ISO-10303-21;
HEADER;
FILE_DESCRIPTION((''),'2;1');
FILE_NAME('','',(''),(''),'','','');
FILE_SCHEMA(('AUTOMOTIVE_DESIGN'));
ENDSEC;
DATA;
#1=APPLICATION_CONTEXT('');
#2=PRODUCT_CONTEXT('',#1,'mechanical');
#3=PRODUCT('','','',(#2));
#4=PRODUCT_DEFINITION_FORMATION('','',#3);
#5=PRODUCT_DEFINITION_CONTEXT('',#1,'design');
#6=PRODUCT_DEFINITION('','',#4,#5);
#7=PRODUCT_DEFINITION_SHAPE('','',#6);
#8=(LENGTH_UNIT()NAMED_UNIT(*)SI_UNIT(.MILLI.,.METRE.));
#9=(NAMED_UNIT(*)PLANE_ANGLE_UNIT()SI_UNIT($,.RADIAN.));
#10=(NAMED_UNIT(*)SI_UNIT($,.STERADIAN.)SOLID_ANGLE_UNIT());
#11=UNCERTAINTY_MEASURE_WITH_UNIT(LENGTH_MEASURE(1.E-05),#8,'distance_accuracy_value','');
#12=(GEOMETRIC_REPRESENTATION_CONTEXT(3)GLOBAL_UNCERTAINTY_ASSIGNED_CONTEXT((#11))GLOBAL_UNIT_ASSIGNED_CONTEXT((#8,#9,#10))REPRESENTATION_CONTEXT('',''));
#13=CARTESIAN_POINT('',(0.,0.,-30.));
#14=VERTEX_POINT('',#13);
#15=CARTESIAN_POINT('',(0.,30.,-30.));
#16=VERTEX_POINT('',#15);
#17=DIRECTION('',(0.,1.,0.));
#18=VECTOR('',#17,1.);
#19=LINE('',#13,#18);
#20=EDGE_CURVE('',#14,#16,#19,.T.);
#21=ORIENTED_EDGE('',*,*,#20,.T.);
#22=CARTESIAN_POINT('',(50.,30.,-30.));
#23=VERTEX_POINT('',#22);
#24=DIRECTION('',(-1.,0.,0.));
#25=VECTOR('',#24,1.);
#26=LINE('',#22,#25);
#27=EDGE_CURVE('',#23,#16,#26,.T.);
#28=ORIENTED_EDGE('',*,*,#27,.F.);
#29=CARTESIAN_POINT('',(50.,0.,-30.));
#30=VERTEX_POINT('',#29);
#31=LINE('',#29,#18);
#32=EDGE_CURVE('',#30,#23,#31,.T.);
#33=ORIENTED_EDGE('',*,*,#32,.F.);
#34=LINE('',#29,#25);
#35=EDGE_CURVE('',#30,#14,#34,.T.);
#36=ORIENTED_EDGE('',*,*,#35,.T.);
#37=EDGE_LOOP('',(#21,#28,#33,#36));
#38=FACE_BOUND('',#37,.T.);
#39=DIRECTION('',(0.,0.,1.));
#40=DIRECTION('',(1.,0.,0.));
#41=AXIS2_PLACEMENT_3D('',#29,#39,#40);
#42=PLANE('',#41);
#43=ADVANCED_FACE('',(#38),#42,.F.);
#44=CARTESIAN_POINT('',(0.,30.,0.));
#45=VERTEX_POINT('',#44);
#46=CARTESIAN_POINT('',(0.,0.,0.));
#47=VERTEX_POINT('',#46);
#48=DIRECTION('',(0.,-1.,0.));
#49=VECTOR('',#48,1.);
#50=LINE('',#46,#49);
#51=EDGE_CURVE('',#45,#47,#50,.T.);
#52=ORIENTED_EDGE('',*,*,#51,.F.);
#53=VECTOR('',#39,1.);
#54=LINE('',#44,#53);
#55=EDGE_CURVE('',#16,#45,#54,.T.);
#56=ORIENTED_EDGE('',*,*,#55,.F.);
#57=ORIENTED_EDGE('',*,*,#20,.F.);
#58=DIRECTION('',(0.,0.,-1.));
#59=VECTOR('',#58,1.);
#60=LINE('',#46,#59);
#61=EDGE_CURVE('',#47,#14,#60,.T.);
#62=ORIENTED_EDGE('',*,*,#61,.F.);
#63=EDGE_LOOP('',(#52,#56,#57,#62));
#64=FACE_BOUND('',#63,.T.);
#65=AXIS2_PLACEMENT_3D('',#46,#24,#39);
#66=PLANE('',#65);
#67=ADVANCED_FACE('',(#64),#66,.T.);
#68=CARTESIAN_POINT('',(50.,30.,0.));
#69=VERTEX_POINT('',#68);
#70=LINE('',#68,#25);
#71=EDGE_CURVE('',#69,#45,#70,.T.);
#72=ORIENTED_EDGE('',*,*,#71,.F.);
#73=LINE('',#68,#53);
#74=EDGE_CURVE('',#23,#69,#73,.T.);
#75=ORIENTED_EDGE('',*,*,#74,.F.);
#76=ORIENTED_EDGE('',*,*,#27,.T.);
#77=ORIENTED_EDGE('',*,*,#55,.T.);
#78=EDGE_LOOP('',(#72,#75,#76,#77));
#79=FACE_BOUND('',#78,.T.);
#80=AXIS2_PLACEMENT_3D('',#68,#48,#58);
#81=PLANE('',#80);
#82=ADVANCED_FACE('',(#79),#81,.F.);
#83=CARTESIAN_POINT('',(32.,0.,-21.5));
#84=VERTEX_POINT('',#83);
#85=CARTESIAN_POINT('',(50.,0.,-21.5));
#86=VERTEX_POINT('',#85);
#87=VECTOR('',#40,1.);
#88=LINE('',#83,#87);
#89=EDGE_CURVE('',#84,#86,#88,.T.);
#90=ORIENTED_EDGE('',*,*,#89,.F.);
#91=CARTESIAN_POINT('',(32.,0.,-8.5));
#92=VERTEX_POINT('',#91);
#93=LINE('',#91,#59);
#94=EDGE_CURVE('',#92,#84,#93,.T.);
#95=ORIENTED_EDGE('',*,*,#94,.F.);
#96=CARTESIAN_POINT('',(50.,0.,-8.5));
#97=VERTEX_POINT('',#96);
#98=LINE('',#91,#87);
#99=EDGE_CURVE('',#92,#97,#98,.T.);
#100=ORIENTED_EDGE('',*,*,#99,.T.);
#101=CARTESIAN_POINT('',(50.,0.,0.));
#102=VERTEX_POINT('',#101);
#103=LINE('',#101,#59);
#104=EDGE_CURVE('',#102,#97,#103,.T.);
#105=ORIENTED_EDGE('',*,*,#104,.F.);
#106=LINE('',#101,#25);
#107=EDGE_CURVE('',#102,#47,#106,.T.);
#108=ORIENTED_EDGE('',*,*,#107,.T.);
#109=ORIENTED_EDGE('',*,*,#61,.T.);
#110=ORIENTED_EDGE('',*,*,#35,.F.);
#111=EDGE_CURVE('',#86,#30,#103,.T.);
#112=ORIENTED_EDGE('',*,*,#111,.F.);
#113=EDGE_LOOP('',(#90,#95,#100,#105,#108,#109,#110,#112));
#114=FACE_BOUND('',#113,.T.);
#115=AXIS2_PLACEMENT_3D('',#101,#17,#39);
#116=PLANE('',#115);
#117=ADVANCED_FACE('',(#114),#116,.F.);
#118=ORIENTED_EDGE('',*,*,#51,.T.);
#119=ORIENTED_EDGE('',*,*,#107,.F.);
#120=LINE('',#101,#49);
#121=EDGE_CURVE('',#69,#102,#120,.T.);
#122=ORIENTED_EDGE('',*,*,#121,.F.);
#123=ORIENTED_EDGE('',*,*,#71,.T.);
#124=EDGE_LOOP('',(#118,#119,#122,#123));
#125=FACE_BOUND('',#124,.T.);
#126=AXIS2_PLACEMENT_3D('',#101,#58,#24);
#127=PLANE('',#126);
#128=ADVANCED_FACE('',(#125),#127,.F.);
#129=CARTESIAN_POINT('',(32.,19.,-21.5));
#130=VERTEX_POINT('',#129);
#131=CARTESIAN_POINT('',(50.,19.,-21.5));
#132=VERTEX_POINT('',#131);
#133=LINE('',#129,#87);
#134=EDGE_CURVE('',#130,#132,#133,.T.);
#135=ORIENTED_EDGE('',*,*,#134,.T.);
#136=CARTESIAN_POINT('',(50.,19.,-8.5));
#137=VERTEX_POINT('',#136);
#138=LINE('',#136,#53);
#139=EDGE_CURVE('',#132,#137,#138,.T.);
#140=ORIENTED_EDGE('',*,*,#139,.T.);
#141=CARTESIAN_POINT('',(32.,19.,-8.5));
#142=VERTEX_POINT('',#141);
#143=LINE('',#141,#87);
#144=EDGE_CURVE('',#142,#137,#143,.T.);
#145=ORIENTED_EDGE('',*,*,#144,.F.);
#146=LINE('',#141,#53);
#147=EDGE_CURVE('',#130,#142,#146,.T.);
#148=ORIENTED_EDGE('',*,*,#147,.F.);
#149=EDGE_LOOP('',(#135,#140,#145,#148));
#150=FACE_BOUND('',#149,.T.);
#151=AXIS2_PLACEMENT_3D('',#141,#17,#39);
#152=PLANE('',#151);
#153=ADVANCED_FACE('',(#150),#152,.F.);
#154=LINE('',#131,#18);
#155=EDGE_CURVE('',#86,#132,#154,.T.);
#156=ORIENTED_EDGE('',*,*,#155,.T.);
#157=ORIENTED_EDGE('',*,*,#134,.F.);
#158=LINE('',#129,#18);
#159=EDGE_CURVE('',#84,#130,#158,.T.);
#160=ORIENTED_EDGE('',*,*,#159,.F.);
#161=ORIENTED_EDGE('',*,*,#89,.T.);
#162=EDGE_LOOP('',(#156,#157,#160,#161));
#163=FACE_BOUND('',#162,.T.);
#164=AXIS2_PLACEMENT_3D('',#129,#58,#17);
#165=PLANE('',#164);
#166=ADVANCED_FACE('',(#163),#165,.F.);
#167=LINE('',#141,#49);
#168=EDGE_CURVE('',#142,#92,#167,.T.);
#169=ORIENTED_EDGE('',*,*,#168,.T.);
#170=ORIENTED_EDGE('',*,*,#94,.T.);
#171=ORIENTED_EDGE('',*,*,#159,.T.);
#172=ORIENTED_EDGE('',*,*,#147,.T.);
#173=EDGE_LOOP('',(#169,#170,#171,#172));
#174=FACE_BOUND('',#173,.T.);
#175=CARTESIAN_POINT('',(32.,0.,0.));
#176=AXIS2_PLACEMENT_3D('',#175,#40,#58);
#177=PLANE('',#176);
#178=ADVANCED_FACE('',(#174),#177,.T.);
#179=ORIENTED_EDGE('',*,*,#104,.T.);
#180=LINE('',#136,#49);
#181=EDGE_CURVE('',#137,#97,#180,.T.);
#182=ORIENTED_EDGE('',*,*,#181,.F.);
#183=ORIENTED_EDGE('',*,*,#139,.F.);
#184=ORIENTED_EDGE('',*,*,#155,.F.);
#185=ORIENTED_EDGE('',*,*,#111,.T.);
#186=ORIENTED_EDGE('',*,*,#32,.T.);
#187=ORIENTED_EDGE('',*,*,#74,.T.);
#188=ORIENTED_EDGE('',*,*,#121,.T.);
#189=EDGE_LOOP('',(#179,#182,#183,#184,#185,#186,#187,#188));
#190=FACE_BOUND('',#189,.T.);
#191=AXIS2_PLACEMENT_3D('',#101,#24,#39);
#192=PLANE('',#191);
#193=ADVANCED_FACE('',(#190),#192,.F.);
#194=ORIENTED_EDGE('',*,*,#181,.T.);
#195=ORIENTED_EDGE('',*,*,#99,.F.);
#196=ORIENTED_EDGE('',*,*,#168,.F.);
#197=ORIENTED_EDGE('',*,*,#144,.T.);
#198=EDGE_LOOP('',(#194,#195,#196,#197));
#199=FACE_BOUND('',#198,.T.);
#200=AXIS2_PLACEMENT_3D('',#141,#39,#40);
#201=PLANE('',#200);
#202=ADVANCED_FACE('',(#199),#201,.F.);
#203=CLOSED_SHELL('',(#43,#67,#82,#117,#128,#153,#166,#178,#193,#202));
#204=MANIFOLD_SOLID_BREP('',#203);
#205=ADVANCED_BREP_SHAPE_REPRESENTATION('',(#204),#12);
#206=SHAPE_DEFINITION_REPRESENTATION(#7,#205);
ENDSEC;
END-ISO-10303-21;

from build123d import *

# Parameters (mm, degrees)
SKETCH1_W           = 30
SKETCH1_H           = 30
BOSS_EXTRUDE1_DEPTH = 50
SKETCH2_W           = 13
SKETCH2_H           = 19
CUT_EXTRUDE1_DEPTH  = 18


with BuildPart() as part:
    # Sketch1 → Boss-Extrude1 (new body)
    with BuildSketch(Plane(origin=(0, 0, 0), x_dir=(0, 0, -1), z_dir=(1, 0, 0))):
        with Locations((15, 15)):
            Rectangle(SKETCH1_W, SKETCH1_H)
    extrude(amount=BOSS_EXTRUDE1_DEPTH)

    # Sketch2 → Cut-Extrude1 (cut)
    with BuildSketch(Plane(origin=(50, 0, 0), x_dir=(0, 0, -1), z_dir=(1, 0, 0))):
        with Locations((15, 9.5)):
            Rectangle(SKETCH2_W, SKETCH2_H)
    extrude(amount=-CUT_EXTRUDE1_DEPTH, mode=Mode.SUBTRACT)


solid = part.part
